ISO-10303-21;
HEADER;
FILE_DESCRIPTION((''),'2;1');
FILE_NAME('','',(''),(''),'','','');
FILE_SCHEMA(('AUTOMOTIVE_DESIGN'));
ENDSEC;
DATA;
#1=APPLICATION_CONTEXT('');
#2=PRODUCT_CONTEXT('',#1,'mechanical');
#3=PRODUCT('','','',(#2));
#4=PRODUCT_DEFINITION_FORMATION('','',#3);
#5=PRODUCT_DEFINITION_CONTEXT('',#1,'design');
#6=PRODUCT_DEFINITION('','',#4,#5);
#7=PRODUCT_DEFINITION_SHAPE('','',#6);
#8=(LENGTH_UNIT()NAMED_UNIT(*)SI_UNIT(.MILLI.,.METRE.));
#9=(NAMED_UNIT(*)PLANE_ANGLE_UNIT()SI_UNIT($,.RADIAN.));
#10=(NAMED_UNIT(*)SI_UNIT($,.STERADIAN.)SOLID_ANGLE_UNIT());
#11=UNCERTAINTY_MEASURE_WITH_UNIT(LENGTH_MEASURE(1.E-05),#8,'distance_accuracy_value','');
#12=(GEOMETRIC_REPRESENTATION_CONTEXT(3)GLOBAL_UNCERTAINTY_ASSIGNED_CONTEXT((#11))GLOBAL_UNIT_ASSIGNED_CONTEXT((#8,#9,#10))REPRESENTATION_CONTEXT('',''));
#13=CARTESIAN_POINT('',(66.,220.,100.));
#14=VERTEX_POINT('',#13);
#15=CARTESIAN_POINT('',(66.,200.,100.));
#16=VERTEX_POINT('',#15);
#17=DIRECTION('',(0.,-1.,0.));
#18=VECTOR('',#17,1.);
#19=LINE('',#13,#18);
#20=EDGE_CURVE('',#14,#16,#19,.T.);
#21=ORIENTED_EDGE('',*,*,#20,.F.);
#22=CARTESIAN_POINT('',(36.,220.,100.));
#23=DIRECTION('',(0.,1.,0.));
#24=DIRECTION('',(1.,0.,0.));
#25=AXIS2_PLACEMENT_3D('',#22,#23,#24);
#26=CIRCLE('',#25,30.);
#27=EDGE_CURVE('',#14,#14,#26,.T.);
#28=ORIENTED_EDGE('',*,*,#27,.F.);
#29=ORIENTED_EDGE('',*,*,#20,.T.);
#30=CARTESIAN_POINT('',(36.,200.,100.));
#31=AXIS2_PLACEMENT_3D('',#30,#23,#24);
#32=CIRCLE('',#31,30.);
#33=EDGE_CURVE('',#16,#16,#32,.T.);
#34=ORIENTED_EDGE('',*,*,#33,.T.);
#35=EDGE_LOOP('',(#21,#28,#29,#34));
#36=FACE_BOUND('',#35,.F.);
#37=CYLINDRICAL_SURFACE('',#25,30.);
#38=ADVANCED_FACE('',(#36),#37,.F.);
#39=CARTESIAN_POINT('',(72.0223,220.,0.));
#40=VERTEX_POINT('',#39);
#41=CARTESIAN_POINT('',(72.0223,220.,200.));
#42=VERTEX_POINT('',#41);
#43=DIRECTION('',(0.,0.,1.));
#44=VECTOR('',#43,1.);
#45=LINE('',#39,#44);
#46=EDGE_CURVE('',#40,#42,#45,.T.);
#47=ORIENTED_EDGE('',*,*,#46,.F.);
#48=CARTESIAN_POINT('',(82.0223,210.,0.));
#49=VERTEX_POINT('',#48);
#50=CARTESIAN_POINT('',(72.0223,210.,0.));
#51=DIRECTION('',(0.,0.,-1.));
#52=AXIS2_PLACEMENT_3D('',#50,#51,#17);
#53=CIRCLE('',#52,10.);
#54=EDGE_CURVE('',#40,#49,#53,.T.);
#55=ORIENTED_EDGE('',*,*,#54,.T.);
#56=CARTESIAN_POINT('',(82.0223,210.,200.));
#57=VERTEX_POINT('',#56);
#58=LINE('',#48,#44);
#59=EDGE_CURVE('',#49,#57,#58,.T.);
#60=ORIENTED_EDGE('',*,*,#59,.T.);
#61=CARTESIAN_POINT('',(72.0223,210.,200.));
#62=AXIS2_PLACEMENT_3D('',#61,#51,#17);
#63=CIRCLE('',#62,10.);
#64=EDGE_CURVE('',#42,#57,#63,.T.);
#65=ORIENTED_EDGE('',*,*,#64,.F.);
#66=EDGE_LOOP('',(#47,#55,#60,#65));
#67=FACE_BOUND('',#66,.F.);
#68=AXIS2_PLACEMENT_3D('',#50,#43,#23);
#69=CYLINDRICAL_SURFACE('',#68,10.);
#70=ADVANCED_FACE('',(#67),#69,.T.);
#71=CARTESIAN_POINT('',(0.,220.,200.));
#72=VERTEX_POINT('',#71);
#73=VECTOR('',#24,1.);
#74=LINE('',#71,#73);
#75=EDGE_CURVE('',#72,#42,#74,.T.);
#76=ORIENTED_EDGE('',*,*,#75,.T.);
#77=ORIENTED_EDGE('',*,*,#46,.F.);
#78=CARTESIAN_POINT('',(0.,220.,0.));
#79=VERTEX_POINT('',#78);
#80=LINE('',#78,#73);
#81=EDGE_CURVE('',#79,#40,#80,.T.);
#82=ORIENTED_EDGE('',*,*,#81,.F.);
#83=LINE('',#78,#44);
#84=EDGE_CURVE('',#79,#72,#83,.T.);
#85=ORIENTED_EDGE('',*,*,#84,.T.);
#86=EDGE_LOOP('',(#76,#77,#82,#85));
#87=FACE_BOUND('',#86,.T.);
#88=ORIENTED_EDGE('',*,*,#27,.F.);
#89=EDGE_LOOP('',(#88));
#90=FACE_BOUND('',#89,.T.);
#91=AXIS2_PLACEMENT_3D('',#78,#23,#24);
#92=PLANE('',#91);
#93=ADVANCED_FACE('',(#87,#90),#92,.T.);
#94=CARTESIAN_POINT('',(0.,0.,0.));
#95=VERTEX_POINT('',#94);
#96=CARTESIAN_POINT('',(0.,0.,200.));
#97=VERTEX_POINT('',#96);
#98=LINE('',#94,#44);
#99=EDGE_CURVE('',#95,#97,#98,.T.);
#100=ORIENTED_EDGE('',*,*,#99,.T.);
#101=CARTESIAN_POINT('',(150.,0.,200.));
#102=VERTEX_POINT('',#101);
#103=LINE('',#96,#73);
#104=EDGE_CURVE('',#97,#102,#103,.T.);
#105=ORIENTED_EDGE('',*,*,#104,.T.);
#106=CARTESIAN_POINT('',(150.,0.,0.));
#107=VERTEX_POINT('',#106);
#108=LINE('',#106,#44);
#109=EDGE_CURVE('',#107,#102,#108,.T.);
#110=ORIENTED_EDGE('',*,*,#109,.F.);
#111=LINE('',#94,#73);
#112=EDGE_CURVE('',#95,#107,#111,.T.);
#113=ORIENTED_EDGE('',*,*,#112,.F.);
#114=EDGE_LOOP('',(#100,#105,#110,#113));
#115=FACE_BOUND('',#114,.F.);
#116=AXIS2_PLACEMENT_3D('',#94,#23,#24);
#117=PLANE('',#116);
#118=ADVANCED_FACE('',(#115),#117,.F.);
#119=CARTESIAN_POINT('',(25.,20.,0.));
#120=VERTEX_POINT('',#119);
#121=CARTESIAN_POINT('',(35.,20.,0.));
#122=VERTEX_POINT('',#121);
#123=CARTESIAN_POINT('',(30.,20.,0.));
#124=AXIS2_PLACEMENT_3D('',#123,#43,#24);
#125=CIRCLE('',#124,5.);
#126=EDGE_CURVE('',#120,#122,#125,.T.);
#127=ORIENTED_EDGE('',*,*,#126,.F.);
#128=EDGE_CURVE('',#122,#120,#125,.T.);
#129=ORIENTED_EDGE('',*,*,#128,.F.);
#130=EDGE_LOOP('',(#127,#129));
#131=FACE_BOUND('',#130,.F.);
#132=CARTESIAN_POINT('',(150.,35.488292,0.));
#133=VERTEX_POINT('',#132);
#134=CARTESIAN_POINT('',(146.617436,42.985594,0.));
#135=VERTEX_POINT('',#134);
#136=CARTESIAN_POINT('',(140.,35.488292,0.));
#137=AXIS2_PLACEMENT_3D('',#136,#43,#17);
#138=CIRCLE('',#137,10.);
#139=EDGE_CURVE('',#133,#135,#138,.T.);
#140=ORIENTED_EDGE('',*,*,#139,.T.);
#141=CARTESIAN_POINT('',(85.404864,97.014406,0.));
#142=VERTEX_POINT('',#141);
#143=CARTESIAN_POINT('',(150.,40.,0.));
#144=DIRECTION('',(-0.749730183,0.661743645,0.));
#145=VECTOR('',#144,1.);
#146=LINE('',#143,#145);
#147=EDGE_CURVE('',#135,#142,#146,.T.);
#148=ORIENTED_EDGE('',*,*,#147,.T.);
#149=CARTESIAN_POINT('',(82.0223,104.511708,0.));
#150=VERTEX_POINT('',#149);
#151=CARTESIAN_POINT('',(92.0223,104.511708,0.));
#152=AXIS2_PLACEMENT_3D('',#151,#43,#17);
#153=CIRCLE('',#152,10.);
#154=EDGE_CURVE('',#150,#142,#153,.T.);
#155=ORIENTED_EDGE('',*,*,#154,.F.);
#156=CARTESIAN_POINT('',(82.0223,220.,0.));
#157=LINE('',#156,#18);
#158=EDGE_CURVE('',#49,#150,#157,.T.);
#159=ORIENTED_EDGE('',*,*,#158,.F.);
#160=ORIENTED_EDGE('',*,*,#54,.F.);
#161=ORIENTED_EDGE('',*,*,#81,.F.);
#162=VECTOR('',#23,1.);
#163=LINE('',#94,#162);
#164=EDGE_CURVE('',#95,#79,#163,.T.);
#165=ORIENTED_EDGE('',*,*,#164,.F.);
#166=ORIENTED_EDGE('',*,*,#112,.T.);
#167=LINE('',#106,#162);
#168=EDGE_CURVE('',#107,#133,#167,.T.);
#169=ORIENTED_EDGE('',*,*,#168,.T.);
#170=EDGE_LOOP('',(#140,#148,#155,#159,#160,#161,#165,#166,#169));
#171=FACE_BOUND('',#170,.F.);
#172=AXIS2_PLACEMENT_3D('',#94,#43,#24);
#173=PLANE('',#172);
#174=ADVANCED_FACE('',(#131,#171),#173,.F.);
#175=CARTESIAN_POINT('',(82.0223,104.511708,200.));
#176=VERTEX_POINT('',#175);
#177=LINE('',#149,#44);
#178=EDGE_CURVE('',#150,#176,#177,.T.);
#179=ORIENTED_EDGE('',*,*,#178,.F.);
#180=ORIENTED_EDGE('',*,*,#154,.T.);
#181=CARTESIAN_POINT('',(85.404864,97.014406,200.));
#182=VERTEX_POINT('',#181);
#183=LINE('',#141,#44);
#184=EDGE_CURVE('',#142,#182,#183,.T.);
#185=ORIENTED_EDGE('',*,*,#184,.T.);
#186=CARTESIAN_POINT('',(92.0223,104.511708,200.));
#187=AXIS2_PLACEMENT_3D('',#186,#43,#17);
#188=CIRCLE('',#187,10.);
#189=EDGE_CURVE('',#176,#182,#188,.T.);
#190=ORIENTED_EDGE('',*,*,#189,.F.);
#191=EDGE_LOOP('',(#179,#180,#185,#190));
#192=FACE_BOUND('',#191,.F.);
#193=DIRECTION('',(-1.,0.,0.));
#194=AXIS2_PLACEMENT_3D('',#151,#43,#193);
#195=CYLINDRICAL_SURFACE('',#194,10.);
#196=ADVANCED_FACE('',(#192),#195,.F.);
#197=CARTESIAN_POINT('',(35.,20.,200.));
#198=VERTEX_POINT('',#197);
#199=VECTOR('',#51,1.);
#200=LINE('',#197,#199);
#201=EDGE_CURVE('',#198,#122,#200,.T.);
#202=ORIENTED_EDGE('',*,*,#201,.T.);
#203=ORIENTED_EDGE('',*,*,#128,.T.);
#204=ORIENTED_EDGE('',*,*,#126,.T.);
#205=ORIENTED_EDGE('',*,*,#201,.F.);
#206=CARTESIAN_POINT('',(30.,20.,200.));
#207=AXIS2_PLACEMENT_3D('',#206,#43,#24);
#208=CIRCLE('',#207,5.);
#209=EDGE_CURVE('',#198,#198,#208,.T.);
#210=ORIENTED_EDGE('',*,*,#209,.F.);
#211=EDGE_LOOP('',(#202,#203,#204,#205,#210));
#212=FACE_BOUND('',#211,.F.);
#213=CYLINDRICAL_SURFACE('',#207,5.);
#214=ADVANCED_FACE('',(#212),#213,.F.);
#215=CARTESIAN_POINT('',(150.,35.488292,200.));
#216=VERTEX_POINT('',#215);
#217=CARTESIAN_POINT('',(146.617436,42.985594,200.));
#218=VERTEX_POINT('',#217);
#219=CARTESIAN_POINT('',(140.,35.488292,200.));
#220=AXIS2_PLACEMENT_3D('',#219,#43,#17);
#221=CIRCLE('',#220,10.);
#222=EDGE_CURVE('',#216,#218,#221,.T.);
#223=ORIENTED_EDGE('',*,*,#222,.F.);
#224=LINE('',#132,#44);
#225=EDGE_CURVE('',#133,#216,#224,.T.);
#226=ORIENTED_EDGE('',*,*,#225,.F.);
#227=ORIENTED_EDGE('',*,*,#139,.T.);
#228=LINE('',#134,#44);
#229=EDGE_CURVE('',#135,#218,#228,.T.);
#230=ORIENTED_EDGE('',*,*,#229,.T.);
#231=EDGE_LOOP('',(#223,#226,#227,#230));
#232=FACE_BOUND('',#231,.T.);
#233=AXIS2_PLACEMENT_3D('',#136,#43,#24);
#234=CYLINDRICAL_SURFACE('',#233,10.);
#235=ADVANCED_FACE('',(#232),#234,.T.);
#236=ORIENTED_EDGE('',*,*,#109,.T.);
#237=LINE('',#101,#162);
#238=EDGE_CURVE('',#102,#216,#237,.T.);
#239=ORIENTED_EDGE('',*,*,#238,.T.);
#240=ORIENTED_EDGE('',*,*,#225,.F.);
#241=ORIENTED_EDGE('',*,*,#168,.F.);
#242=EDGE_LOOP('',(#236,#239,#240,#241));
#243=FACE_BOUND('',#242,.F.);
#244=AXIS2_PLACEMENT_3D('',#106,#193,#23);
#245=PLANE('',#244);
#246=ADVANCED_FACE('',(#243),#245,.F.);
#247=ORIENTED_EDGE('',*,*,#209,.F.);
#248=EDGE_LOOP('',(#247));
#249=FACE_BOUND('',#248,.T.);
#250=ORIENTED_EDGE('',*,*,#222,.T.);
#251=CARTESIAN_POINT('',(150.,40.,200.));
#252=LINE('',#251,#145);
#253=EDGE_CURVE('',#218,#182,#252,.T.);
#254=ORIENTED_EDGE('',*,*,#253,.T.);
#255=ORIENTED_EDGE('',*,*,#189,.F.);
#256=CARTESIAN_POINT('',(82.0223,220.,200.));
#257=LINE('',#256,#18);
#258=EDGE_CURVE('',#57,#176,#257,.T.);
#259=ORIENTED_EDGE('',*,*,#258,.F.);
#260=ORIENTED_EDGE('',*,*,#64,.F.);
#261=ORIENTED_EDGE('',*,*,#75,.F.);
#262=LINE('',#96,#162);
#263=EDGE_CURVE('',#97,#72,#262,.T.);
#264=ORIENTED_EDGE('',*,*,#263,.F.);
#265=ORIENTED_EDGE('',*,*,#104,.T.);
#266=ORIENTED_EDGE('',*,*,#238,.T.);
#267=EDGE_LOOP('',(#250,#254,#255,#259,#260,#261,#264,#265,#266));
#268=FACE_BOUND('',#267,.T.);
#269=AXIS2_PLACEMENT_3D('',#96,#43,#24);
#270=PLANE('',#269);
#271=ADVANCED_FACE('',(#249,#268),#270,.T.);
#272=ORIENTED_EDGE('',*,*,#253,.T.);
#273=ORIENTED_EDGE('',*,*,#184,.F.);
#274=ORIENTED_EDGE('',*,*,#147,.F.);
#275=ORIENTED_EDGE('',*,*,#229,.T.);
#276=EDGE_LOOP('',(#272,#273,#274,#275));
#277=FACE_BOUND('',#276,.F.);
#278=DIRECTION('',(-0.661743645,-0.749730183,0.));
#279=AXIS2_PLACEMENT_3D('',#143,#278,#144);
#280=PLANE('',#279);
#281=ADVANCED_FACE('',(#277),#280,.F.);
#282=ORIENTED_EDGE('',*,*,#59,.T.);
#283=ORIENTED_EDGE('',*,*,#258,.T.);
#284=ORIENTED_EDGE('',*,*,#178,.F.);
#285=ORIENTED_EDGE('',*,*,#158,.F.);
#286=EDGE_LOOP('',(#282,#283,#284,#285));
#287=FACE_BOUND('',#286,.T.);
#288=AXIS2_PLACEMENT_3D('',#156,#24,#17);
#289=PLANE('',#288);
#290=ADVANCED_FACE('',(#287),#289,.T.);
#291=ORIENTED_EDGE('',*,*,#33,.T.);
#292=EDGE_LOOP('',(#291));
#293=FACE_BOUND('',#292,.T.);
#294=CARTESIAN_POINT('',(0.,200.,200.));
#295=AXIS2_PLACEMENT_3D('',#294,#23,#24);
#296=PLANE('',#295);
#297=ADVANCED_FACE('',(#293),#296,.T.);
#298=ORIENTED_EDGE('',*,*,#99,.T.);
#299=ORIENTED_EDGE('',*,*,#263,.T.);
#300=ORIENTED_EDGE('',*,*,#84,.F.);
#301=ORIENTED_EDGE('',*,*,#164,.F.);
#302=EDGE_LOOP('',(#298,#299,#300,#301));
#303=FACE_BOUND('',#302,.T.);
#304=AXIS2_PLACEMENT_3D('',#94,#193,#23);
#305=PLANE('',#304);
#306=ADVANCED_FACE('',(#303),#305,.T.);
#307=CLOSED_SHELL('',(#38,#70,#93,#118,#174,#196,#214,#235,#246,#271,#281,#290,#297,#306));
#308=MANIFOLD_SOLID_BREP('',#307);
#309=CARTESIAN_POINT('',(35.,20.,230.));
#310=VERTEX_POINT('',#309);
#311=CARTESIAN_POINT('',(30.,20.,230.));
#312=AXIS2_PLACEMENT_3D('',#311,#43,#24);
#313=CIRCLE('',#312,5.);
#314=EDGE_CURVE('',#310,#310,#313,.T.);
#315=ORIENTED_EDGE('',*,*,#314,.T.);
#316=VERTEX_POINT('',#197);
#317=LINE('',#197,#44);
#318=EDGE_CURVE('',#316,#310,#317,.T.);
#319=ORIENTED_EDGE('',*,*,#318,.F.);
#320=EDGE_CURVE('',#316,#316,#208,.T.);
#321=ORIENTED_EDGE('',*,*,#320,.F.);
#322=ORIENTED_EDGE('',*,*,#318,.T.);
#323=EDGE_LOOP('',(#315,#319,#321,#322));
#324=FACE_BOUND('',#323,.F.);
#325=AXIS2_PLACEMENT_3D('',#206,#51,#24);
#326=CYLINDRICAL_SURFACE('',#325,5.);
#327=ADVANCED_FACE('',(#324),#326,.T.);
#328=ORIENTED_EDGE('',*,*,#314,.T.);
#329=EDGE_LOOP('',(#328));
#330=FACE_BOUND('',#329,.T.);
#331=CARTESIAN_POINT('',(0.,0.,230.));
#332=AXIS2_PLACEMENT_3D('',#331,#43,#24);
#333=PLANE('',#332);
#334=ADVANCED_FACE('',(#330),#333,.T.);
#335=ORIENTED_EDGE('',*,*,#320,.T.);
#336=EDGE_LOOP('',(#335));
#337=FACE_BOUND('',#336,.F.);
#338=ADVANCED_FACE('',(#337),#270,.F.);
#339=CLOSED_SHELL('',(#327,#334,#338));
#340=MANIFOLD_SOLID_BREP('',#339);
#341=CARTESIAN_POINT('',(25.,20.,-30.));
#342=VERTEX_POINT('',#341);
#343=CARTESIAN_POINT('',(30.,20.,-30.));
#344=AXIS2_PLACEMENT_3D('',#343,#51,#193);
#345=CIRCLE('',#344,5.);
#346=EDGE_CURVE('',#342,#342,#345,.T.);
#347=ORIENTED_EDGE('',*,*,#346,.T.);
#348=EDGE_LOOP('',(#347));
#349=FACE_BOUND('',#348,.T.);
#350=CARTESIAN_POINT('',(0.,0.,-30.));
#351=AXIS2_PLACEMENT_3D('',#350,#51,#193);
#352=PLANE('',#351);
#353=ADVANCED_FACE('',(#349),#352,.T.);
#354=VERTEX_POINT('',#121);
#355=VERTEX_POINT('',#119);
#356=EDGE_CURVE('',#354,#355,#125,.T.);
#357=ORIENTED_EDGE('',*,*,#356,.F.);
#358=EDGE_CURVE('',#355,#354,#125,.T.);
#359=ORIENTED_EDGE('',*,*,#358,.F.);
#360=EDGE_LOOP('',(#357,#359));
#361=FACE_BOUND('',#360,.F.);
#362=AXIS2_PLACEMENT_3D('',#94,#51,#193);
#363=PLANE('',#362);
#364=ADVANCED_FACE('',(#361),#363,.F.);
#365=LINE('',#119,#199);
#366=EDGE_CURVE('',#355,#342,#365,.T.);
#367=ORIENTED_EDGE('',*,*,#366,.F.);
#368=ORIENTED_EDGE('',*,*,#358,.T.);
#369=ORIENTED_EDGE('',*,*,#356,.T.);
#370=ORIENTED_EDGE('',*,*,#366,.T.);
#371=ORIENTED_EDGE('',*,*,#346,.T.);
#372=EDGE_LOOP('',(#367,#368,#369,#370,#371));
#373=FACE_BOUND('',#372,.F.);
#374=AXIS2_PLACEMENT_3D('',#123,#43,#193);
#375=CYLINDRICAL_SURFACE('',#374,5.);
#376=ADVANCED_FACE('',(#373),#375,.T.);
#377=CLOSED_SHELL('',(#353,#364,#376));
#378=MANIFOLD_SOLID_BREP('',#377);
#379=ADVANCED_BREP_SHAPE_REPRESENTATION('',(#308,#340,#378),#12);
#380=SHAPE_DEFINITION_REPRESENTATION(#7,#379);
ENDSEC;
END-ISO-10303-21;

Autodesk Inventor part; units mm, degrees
ref_plane "YZ Plane" through (0, 0, 0) normal (1, 0, 0) x (0, 1, 0)
ref_plane "XZ Plane" through (0, 0, 0) normal (0, 1, 0) x (-1, 0, 0)
ref_plane "XY Plane" through (0, 0, 0) normal (0, 0, 1) x (1, 0, 0)
sketch "Sketch18" plane through (0, 0, 0) normal (0, 0, 1) x (1, 0, 0)
  line L0 (0, 0) -> (0, 220)
  line L1 (0, 0) -> (150, 0)
  line L2 (0, 220) -> (82.0223, 220)
  line L3 (82.0223, 220) -> (82.0223, 100)
  line L4 (150, 0) -> (150, 40)
  line L5 (150, 40) -> (82.0223, 100)
  dimension "d72" = 220
  dimension "d73" = 150
  dimension "d74" = 120
  dimension "d75" = 40
extrude "Extrusion9" add sketch "Sketch18" along normal blind 200
sketch "Sketch20" plane through (0, 0, 200) normal (0, 0, 1) x (1, 0, 0)
  circle A0 centre (30, 20) radius 5
  point P0 (0, 0)
  dimension "d81" = 10
extrude "Extrusion11" cut sketch "Sketch20" against normal blind 200
fillet "Fillet3" radius 10 3 edges at (82.0223, 220, 100) (82.0223, 100, 100) (150, 40, 100)
sketch "Sketch21" plane through (0, 220, 200) normal (0, 1, 0) x (1, 0, 0)
  circle A0 centre (36, 100) radius 30
  point P0 (0, 200)
  dimension "d85" = 60
extrude "Extrusion12" cut sketch "Sketch21" against normal blind 20
sketch "Sketch22" plane through (0, 0, 0) normal (-1, 0, 0) x (0, 0, 1)
  point P0 (0, 0)
sketch "Sketch23" plane through (0, 0, 0) normal (0, 0, -1) x (-1, 0, 0)
  point P0 (0, 0)
sketch "Sketch24" plane through (0, 0, 0) normal (0, 0, -1) x (-1, 0, 0)
  circle A0 centre (-30, 20) radius 5 projected
  circle A1 centre (-30, 20) radius 5
  point P0 (0, 0)
extrude "Extrusion13" add sketch "Sketch24" along normal blind 30
sketch "Sketch25" plane through (0, 0, 200) normal (0, 0, 1) x (1, 0, 0)
  circle A0 centre (30, 20) radius 5 projected
  circle A1 centre (30, 20) radius 5
  point P0 (0, 0)
extrude "Extrusion14" add sketch "Sketch25" along normal blind 30
properties part number "leg"
